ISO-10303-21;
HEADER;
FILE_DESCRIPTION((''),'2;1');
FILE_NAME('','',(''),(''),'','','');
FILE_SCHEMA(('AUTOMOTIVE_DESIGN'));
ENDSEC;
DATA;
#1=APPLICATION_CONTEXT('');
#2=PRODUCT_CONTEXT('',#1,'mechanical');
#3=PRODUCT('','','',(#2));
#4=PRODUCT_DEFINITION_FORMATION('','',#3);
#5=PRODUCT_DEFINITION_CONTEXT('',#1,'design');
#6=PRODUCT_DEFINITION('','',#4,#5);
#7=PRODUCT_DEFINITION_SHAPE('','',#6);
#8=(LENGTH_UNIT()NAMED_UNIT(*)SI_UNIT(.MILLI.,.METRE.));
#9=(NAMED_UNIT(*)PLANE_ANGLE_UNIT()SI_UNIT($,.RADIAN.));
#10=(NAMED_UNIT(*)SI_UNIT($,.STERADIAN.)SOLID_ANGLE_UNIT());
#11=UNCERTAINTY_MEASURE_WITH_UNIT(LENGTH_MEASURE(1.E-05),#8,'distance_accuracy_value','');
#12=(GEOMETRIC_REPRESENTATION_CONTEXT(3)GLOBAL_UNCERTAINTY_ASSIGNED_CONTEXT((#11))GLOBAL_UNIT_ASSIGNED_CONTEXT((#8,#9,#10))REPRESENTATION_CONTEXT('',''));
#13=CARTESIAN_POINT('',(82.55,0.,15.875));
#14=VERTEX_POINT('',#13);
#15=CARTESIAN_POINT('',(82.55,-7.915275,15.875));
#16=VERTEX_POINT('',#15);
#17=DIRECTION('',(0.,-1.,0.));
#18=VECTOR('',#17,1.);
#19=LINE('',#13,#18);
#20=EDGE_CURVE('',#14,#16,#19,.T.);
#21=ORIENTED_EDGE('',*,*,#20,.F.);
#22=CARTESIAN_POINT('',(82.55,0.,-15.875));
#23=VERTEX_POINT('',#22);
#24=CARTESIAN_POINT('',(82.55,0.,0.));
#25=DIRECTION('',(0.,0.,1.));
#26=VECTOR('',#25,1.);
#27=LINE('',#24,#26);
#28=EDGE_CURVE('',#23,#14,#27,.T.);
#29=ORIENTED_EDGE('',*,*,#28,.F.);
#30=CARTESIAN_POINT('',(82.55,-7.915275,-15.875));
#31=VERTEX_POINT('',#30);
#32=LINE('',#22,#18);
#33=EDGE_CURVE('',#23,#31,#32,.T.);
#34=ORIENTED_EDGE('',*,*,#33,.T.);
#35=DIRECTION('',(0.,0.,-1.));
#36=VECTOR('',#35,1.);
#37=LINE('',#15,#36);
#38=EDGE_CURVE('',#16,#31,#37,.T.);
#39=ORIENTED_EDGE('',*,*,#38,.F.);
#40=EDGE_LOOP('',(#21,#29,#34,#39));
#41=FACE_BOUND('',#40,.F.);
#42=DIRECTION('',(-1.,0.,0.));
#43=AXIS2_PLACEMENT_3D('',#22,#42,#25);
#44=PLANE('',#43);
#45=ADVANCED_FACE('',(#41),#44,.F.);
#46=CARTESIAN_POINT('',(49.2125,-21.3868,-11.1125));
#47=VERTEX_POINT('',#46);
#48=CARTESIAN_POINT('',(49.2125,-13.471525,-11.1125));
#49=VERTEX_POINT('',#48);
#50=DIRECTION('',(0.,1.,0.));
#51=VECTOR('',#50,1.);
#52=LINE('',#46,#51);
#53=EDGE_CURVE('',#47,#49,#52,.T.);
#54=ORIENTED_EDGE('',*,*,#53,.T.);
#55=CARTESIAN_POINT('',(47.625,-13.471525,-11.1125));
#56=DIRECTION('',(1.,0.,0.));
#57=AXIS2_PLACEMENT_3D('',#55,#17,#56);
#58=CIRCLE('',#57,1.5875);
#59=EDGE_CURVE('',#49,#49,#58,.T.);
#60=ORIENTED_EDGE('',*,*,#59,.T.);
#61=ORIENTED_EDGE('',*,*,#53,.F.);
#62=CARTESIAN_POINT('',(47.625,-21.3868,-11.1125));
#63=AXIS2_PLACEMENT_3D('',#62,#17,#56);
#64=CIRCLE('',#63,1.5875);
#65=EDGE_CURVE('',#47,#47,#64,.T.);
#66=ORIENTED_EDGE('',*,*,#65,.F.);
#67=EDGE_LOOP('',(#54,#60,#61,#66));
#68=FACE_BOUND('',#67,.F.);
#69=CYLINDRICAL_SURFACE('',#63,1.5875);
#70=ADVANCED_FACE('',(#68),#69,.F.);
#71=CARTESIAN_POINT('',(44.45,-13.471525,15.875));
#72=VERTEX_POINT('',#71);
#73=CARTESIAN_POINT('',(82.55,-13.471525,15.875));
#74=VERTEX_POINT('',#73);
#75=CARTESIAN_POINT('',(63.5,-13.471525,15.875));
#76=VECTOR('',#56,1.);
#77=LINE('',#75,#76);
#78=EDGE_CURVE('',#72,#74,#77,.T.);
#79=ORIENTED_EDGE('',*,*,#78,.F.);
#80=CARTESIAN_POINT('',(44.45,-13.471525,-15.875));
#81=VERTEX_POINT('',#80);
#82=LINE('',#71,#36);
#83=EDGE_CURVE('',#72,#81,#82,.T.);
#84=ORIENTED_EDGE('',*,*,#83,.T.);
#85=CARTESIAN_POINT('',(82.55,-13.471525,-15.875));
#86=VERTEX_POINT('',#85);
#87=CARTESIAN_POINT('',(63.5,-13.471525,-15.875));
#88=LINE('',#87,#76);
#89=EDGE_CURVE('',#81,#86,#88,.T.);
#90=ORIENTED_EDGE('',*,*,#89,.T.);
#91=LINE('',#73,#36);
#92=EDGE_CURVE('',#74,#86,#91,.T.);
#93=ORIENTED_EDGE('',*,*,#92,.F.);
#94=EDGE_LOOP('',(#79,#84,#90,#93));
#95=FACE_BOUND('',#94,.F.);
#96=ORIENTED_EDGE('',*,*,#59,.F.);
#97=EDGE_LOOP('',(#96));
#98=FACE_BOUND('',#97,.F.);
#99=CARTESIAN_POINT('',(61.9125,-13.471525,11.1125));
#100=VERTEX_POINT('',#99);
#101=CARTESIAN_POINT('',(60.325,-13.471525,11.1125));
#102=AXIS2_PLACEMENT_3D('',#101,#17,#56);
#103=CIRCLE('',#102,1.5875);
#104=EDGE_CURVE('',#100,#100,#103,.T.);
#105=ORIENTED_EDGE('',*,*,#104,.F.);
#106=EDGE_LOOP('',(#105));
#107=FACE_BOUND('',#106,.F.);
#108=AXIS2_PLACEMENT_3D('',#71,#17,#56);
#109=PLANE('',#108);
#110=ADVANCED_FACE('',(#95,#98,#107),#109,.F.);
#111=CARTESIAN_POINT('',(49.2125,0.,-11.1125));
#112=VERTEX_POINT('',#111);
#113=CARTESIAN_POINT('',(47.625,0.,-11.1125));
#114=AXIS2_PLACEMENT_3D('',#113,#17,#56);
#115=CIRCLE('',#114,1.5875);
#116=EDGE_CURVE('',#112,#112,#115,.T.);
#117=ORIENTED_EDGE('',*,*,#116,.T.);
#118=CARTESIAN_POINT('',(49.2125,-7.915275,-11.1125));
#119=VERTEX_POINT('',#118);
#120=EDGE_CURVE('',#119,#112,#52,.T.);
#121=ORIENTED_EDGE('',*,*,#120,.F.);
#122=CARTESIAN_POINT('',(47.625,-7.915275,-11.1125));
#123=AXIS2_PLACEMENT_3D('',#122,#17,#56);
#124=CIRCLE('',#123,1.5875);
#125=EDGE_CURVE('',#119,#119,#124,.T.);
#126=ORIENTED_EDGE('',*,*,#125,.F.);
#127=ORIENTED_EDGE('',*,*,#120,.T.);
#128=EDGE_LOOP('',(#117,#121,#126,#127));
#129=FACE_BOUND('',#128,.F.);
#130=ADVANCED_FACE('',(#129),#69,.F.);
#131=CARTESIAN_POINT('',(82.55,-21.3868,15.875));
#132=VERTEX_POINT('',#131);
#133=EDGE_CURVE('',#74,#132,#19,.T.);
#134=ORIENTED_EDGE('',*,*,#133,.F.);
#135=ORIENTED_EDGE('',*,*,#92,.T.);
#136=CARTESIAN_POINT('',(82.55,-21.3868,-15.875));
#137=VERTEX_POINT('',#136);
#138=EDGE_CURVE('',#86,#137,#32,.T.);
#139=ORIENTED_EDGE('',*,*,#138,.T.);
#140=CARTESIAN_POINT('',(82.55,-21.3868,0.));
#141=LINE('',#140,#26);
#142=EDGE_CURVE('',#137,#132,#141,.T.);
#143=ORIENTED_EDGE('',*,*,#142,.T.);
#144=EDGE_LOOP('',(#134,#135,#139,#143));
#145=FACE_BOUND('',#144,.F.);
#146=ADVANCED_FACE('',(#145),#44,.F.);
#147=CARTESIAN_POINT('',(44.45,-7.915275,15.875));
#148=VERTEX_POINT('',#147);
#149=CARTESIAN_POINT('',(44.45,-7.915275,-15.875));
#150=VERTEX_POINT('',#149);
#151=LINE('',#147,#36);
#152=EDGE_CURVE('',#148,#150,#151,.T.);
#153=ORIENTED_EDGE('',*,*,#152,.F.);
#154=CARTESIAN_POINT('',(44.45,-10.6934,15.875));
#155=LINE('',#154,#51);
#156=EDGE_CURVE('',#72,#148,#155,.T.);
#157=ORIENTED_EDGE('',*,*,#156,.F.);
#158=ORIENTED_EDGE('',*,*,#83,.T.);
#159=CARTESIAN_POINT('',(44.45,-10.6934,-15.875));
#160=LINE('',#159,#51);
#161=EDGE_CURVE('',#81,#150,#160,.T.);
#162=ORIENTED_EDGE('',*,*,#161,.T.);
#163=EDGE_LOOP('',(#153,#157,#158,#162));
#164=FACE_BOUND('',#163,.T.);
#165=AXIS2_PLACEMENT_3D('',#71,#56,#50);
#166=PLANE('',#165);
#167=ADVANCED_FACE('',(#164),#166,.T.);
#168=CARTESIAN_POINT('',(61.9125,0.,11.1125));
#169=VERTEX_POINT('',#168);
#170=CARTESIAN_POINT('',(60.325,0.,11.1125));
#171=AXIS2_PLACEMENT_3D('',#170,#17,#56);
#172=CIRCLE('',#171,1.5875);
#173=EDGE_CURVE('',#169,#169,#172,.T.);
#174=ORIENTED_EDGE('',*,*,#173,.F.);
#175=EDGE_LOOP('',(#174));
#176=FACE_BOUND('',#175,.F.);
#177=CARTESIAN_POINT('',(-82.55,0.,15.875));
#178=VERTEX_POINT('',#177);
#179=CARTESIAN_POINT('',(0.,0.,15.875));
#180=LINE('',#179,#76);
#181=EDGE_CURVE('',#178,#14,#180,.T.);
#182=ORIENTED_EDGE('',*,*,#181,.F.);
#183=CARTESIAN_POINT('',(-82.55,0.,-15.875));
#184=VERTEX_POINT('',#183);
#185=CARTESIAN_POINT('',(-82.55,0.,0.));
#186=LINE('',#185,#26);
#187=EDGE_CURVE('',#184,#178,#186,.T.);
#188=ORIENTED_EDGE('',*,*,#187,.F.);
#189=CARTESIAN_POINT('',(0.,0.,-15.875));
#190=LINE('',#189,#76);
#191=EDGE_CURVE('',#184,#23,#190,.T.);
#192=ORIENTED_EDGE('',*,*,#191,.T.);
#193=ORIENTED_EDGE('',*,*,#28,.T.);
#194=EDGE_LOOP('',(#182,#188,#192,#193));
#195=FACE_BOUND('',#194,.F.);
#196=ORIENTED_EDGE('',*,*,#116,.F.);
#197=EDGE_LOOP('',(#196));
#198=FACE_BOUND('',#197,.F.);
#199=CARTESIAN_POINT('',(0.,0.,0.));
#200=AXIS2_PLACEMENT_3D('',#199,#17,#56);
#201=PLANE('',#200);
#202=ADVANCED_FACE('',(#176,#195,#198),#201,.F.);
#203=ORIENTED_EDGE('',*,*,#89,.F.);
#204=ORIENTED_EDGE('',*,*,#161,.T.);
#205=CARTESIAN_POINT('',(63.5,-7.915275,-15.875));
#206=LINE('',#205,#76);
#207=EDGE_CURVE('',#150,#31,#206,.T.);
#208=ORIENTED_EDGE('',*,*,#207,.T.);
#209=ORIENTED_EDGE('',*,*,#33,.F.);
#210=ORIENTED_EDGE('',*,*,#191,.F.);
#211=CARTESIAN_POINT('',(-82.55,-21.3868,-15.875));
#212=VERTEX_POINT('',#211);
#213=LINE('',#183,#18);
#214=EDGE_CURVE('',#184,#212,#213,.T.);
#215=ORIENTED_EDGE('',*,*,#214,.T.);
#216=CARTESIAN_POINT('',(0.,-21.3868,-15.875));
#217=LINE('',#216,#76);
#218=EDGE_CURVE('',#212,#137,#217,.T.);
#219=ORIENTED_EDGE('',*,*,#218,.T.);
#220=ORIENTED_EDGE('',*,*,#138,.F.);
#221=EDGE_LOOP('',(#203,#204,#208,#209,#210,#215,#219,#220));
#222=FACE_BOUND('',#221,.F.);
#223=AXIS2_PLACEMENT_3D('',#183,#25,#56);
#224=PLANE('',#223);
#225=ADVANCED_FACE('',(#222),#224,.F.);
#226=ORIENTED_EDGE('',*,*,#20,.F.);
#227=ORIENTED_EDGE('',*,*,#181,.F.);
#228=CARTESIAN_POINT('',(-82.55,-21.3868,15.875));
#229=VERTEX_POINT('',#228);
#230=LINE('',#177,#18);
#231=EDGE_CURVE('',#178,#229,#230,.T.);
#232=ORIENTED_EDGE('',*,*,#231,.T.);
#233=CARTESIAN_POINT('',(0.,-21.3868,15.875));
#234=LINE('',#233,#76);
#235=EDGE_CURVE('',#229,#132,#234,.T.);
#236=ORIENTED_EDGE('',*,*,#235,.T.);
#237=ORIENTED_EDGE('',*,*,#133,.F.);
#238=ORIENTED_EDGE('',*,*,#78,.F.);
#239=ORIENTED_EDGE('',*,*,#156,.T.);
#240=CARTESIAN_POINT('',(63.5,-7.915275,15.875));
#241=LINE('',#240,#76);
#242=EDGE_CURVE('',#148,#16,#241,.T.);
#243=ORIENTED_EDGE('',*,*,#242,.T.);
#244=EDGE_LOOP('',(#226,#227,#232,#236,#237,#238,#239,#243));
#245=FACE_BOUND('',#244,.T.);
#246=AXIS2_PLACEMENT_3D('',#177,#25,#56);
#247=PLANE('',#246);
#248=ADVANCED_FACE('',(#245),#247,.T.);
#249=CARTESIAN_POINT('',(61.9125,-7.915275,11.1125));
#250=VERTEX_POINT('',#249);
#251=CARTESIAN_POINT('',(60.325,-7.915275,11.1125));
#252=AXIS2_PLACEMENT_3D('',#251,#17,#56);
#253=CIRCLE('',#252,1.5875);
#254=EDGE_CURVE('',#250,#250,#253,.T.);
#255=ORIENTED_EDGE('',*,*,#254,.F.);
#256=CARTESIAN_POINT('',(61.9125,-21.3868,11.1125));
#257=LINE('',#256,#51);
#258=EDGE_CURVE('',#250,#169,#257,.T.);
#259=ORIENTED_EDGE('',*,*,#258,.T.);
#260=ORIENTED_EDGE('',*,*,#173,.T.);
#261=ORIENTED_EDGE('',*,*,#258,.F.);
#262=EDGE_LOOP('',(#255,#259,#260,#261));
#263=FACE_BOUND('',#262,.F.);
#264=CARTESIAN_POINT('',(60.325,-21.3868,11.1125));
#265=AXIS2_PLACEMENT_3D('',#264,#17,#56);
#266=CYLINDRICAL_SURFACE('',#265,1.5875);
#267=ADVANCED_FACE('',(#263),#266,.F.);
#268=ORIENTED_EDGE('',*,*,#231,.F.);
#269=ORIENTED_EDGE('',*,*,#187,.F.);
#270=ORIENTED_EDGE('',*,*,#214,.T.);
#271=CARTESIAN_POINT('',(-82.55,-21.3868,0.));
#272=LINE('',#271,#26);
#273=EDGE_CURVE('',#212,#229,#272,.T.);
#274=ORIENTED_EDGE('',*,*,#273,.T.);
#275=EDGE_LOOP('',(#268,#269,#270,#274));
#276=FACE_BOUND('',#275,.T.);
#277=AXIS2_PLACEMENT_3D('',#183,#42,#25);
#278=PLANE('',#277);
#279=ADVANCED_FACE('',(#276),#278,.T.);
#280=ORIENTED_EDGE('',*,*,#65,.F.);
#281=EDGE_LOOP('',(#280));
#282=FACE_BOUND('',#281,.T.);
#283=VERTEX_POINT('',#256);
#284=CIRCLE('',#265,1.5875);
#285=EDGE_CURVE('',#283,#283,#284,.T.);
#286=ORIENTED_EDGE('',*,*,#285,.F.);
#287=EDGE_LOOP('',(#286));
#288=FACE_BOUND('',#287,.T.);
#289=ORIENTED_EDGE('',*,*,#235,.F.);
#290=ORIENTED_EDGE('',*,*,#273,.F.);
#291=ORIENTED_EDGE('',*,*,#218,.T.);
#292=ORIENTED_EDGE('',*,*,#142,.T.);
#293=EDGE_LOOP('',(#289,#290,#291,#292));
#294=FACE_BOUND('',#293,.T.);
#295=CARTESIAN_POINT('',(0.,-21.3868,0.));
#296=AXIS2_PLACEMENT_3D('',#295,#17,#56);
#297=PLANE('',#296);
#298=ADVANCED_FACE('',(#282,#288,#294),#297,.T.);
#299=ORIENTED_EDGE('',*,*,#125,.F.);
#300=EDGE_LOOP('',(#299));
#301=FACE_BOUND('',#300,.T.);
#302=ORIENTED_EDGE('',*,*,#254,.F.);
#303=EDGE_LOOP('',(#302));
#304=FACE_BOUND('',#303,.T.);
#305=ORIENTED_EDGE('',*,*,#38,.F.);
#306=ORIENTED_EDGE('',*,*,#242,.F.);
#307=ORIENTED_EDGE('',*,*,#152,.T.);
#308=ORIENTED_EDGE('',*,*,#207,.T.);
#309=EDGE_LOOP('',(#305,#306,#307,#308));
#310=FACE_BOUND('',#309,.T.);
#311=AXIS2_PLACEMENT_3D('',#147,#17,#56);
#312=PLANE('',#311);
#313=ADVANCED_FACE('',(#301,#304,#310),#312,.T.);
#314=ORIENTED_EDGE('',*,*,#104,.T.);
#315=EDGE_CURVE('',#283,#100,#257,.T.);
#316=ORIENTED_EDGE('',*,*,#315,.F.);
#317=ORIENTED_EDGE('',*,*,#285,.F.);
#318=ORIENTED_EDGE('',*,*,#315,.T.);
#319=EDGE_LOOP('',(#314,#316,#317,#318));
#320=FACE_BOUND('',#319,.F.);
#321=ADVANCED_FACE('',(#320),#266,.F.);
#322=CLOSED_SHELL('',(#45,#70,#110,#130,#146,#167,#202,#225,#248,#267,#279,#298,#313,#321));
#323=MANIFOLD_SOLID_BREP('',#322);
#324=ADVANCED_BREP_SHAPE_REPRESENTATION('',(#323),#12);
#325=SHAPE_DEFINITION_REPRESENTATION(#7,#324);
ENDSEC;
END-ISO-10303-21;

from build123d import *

# Parameters (mm, degrees)
F0_W     = 165.1
F0_H     = 31.75
F1_DEPTH = 21.3868
F2_W     = 38.1
F2_H     = 5.55625
F3_DEPTH = 31.75
F4_R     = 1.5875
F5_DEPTH = 21.3868


with BuildPart() as f1:
    # F0 (on Front) → F1 (new body)
    with BuildSketch(Plane.XZ):
        Rectangle(F0_W, F0_H)
    extrude(amount=F1_DEPTH)

    # F2 (on face) → F3 (cut, through all)
    with BuildSketch(Plane.XY.offset(15.875)):
        with Locations((63.5, -10.6934)):
            Rectangle(F2_W, F2_H)
    extrude(amount=-F3_DEPTH, mode=Mode.SUBTRACT)

    # F4 (on face) → F5 (cut, through all)
    with BuildSketch(Plane.XZ.offset(21.3868)):
        with Locations((60.325, 11.1125)):
            Circle(F4_R)
        with Locations((47.625, -11.1125)):
            Circle(F4_R)
    extrude(amount=-F5_DEPTH, mode=Mode.SUBTRACT)


solid = f1.part
